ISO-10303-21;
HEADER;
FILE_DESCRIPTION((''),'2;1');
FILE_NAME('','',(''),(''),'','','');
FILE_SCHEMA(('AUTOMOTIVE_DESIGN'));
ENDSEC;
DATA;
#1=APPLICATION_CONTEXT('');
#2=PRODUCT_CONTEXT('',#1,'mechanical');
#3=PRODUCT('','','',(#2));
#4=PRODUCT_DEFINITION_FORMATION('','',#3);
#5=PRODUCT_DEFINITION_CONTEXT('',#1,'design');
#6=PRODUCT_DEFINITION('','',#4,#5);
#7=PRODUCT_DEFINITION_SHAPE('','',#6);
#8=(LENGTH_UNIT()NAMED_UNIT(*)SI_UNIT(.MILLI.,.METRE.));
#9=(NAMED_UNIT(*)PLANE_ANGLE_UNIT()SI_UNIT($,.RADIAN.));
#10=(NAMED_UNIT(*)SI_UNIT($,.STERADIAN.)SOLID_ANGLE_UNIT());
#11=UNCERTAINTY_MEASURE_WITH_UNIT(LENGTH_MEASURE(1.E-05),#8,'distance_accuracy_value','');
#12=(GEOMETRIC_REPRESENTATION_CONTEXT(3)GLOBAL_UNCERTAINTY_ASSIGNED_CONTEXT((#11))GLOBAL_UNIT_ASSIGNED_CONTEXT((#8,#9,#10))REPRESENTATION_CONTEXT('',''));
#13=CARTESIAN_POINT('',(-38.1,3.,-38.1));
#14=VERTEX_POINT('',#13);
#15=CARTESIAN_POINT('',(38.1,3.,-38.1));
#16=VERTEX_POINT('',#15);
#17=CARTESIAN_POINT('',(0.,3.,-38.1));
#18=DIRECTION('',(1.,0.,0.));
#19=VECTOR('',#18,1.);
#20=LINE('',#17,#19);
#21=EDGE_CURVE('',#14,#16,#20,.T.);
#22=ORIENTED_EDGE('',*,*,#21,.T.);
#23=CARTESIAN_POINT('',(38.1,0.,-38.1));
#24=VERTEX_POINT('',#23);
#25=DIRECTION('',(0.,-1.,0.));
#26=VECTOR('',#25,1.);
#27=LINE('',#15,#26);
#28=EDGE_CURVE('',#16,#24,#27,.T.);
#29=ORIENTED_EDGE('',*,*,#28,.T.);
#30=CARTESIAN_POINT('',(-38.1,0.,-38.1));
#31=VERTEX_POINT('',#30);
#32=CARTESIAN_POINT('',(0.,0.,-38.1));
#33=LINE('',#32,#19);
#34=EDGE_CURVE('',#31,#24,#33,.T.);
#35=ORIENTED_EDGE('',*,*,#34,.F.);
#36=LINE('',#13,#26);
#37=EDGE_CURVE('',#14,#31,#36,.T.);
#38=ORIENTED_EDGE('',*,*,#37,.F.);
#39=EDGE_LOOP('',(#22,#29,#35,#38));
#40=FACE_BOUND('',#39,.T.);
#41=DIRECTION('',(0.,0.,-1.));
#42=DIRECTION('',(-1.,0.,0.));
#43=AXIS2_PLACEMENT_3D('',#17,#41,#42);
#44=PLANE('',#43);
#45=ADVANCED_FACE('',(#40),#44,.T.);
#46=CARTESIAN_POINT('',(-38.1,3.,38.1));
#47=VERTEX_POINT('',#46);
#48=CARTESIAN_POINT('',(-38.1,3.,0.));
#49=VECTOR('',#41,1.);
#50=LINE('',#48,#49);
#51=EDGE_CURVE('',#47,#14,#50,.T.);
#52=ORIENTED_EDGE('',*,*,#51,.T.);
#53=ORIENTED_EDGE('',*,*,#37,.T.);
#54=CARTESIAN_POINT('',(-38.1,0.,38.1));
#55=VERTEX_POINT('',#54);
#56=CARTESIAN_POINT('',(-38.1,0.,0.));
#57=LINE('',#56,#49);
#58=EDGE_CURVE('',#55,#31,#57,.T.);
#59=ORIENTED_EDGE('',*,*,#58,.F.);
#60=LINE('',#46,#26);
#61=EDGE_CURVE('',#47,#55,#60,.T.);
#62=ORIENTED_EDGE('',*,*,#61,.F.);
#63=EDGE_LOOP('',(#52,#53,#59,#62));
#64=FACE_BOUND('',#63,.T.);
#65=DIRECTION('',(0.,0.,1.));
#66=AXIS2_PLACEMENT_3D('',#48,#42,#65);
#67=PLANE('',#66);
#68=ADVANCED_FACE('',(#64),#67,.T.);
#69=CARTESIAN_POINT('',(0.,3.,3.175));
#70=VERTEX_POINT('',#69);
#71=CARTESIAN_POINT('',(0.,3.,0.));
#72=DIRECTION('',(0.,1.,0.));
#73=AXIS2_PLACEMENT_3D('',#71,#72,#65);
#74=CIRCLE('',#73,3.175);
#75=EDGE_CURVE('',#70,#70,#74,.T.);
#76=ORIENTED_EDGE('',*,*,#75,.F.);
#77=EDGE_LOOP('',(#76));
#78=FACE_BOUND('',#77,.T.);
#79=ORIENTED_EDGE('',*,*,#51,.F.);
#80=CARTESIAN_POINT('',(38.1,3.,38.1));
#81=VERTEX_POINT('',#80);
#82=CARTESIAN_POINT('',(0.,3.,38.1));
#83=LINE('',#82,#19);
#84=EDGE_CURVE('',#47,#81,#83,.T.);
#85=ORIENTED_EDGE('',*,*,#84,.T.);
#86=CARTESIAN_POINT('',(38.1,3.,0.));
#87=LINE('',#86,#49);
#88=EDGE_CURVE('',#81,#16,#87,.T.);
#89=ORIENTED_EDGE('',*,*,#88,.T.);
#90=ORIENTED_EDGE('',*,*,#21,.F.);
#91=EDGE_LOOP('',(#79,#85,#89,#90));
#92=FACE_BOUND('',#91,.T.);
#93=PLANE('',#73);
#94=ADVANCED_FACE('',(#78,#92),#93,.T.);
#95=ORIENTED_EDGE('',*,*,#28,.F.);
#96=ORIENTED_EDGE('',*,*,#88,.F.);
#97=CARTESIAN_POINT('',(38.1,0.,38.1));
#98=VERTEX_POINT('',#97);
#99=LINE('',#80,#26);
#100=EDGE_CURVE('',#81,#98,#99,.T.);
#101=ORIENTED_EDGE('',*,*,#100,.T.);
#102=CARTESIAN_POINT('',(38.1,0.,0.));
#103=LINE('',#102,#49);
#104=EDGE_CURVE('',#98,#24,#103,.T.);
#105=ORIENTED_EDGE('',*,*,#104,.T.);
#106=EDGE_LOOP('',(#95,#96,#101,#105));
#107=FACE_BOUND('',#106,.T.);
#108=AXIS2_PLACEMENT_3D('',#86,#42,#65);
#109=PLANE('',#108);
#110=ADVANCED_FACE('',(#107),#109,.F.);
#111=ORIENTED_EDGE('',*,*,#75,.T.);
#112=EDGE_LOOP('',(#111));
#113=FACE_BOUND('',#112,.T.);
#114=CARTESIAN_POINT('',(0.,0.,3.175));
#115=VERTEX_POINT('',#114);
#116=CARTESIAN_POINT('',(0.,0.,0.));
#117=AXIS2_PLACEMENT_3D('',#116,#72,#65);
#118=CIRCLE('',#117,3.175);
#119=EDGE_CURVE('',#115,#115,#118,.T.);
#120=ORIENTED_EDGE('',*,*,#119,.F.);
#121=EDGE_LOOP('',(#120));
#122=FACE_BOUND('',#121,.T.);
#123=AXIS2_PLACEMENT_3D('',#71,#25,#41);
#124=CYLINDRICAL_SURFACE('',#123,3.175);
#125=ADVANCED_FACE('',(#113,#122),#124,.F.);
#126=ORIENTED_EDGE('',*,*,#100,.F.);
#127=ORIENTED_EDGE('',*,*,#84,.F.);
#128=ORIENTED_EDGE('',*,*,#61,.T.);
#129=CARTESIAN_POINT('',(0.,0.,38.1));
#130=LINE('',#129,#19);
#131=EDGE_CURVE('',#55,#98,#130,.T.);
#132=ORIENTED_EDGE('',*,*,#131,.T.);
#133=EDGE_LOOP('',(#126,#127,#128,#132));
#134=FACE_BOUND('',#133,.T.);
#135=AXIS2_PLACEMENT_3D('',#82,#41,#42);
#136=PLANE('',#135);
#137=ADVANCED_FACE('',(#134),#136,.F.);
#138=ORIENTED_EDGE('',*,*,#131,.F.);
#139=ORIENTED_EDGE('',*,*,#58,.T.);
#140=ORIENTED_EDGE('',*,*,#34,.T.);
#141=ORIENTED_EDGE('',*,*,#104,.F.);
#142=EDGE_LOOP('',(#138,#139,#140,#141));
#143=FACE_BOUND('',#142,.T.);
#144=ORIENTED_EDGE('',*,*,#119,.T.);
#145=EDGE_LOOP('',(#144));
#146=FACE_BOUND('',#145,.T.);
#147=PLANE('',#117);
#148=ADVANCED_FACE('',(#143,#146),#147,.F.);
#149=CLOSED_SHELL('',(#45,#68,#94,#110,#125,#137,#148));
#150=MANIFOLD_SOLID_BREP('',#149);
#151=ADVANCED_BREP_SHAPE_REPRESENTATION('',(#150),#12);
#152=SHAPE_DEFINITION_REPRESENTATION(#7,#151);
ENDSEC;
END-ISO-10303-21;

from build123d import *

# Parameters (mm, degrees)
SKETCH1_W           = 76.2
SKETCH1_H           = 76.2
SKETCH1_R           = 5
SKETCH1_R_2         = 3.175
BOSS_EXTRUDE1_DEPTH = 3


with BuildPart() as part:
    # Sketch1 → Boss-Extrude1 (new body)
    # profile 1 of 5: a face of its own
    with BuildSketch(Plane(origin=(0, 0, 0), x_dir=(1, 0, 0), z_dir=(0, 1, 0))):
        Rectangle(SKETCH1_W, SKETCH1_H)
        with Locations((31.730846191, 31.730846191)):
            Circle(SKETCH1_R, mode=Mode.SUBTRACT)
        with Locations((-31.730846191, 31.730846191)):
            Circle(SKETCH1_R, mode=Mode.SUBTRACT)
        with Locations((-31.730846191, -31.730846191)):
            Circle(SKETCH1_R, mode=Mode.SUBTRACT)
        with Locations((31.730846191, -31.730846191)):
            Circle(SKETCH1_R, mode=Mode.SUBTRACT)
        with Locations(Location((0, 0, 0), (0, 0, 270))):
            Circle(SKETCH1_R_2, mode=Mode.SUBTRACT)
    # profile 2 of 5: a face of its own
    with BuildSketch(Plane(origin=(0, 0, 0), x_dir=(1, 0, 0), z_dir=(0, 1, 0))):
        with Locations((-31.730846191, 31.730846191)):
            Circle(SKETCH1_R)
    # profile 3 of 5: a face of its own
    with BuildSketch(Plane(origin=(0, 0, 0), x_dir=(1, 0, 0), z_dir=(0, 1, 0))):
        with Locations((31.730846191, 31.730846191)):
            Circle(SKETCH1_R)
    # profile 4 of 5: a face of its own
    with BuildSketch(Plane(origin=(0, 0, 0), x_dir=(1, 0, 0), z_dir=(0, 1, 0))):
        with Locations((31.730846191, -31.730846191)):
            Circle(SKETCH1_R)
    # profile 5 of 5: a face of its own
    with BuildSketch(Plane(origin=(0, 0, 0), x_dir=(1, 0, 0), z_dir=(0, 1, 0))):
        with Locations((-31.730846191, -31.730846191)):
            Circle(SKETCH1_R)
    extrude(amount=BOSS_EXTRUDE1_DEPTH)


solid = part.part
